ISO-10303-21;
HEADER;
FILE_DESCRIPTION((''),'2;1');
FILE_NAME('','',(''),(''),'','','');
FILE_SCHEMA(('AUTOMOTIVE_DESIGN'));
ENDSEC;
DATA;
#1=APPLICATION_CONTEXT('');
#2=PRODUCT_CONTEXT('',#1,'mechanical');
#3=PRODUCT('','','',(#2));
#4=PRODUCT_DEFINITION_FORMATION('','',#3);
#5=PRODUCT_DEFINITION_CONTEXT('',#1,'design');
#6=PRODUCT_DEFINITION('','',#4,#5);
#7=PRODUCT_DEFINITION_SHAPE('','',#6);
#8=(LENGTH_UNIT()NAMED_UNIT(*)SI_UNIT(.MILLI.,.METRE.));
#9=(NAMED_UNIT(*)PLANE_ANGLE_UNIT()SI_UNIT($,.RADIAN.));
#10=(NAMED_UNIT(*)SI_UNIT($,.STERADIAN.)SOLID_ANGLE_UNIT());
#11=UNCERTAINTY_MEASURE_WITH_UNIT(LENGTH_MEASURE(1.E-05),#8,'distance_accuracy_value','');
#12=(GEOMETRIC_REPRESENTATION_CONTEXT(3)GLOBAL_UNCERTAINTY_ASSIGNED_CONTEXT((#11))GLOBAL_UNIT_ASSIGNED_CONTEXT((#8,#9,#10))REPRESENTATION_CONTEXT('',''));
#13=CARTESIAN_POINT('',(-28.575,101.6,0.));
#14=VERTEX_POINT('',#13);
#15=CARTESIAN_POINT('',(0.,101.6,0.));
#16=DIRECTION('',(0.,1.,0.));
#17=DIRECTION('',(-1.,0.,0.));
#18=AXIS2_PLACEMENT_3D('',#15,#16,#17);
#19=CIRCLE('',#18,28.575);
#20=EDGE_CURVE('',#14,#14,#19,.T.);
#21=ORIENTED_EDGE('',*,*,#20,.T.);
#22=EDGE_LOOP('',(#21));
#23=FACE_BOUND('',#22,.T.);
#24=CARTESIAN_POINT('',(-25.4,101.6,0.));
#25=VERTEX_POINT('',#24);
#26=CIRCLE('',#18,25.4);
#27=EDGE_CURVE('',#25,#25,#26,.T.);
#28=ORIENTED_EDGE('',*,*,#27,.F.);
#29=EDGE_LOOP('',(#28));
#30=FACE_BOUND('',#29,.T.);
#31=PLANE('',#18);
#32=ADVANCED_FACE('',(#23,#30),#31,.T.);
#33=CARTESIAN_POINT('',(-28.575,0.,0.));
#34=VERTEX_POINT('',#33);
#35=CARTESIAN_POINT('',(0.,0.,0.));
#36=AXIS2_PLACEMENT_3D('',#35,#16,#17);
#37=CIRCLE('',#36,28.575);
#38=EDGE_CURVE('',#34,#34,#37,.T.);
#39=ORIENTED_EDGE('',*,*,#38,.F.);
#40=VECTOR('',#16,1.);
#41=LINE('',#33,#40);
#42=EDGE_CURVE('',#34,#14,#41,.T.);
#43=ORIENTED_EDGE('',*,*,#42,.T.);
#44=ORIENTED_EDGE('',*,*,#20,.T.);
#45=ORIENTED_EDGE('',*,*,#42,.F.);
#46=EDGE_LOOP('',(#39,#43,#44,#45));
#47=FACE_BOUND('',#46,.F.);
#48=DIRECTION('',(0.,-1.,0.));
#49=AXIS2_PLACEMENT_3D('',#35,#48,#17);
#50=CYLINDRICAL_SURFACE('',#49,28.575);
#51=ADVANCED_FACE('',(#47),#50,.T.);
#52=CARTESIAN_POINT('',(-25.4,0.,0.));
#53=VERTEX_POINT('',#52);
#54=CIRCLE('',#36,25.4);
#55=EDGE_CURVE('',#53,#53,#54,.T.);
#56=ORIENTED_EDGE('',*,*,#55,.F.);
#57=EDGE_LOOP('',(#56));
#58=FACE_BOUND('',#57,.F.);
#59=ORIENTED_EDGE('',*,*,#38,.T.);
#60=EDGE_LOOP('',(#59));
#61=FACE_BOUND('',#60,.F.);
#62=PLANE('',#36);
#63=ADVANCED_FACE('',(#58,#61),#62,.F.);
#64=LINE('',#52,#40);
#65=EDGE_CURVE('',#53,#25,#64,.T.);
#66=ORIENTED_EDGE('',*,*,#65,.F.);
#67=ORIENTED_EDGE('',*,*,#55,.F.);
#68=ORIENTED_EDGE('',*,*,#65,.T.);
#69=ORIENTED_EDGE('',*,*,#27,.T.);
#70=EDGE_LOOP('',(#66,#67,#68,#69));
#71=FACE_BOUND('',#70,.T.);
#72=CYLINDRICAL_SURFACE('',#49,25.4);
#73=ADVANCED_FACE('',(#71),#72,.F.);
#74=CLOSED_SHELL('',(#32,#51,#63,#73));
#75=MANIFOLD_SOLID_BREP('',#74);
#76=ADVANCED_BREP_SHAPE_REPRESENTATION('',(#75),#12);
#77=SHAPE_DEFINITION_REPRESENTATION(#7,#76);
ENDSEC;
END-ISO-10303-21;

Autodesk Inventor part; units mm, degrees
ref_plane "YZ Plane" through (0, 0, 0) normal (1, 0, 0) x (0, 1, 0)
ref_plane "XZ Plane" through (0, 0, 0) normal (0, 1, 0) x (-1, 0, 0)
ref_plane "XY Plane" through (0, 0, 0) normal (0, 0, 1) x (1, 0, 0)
sketch "Sketch1" plane through (0, 0, 0) normal (0, 1, 0) x (-1, 0, 0)
  circle A0 centre (0, 0) radius 28.575
  circle A1 centre (0, 0) radius 25.4
  dimension "d0" = 57.15
  dimension "d1" = 50.8
extrude "Extrusion1" add sketch "Sketch1" along normal blind 101.6
properties part number "2in ID 4in length"
